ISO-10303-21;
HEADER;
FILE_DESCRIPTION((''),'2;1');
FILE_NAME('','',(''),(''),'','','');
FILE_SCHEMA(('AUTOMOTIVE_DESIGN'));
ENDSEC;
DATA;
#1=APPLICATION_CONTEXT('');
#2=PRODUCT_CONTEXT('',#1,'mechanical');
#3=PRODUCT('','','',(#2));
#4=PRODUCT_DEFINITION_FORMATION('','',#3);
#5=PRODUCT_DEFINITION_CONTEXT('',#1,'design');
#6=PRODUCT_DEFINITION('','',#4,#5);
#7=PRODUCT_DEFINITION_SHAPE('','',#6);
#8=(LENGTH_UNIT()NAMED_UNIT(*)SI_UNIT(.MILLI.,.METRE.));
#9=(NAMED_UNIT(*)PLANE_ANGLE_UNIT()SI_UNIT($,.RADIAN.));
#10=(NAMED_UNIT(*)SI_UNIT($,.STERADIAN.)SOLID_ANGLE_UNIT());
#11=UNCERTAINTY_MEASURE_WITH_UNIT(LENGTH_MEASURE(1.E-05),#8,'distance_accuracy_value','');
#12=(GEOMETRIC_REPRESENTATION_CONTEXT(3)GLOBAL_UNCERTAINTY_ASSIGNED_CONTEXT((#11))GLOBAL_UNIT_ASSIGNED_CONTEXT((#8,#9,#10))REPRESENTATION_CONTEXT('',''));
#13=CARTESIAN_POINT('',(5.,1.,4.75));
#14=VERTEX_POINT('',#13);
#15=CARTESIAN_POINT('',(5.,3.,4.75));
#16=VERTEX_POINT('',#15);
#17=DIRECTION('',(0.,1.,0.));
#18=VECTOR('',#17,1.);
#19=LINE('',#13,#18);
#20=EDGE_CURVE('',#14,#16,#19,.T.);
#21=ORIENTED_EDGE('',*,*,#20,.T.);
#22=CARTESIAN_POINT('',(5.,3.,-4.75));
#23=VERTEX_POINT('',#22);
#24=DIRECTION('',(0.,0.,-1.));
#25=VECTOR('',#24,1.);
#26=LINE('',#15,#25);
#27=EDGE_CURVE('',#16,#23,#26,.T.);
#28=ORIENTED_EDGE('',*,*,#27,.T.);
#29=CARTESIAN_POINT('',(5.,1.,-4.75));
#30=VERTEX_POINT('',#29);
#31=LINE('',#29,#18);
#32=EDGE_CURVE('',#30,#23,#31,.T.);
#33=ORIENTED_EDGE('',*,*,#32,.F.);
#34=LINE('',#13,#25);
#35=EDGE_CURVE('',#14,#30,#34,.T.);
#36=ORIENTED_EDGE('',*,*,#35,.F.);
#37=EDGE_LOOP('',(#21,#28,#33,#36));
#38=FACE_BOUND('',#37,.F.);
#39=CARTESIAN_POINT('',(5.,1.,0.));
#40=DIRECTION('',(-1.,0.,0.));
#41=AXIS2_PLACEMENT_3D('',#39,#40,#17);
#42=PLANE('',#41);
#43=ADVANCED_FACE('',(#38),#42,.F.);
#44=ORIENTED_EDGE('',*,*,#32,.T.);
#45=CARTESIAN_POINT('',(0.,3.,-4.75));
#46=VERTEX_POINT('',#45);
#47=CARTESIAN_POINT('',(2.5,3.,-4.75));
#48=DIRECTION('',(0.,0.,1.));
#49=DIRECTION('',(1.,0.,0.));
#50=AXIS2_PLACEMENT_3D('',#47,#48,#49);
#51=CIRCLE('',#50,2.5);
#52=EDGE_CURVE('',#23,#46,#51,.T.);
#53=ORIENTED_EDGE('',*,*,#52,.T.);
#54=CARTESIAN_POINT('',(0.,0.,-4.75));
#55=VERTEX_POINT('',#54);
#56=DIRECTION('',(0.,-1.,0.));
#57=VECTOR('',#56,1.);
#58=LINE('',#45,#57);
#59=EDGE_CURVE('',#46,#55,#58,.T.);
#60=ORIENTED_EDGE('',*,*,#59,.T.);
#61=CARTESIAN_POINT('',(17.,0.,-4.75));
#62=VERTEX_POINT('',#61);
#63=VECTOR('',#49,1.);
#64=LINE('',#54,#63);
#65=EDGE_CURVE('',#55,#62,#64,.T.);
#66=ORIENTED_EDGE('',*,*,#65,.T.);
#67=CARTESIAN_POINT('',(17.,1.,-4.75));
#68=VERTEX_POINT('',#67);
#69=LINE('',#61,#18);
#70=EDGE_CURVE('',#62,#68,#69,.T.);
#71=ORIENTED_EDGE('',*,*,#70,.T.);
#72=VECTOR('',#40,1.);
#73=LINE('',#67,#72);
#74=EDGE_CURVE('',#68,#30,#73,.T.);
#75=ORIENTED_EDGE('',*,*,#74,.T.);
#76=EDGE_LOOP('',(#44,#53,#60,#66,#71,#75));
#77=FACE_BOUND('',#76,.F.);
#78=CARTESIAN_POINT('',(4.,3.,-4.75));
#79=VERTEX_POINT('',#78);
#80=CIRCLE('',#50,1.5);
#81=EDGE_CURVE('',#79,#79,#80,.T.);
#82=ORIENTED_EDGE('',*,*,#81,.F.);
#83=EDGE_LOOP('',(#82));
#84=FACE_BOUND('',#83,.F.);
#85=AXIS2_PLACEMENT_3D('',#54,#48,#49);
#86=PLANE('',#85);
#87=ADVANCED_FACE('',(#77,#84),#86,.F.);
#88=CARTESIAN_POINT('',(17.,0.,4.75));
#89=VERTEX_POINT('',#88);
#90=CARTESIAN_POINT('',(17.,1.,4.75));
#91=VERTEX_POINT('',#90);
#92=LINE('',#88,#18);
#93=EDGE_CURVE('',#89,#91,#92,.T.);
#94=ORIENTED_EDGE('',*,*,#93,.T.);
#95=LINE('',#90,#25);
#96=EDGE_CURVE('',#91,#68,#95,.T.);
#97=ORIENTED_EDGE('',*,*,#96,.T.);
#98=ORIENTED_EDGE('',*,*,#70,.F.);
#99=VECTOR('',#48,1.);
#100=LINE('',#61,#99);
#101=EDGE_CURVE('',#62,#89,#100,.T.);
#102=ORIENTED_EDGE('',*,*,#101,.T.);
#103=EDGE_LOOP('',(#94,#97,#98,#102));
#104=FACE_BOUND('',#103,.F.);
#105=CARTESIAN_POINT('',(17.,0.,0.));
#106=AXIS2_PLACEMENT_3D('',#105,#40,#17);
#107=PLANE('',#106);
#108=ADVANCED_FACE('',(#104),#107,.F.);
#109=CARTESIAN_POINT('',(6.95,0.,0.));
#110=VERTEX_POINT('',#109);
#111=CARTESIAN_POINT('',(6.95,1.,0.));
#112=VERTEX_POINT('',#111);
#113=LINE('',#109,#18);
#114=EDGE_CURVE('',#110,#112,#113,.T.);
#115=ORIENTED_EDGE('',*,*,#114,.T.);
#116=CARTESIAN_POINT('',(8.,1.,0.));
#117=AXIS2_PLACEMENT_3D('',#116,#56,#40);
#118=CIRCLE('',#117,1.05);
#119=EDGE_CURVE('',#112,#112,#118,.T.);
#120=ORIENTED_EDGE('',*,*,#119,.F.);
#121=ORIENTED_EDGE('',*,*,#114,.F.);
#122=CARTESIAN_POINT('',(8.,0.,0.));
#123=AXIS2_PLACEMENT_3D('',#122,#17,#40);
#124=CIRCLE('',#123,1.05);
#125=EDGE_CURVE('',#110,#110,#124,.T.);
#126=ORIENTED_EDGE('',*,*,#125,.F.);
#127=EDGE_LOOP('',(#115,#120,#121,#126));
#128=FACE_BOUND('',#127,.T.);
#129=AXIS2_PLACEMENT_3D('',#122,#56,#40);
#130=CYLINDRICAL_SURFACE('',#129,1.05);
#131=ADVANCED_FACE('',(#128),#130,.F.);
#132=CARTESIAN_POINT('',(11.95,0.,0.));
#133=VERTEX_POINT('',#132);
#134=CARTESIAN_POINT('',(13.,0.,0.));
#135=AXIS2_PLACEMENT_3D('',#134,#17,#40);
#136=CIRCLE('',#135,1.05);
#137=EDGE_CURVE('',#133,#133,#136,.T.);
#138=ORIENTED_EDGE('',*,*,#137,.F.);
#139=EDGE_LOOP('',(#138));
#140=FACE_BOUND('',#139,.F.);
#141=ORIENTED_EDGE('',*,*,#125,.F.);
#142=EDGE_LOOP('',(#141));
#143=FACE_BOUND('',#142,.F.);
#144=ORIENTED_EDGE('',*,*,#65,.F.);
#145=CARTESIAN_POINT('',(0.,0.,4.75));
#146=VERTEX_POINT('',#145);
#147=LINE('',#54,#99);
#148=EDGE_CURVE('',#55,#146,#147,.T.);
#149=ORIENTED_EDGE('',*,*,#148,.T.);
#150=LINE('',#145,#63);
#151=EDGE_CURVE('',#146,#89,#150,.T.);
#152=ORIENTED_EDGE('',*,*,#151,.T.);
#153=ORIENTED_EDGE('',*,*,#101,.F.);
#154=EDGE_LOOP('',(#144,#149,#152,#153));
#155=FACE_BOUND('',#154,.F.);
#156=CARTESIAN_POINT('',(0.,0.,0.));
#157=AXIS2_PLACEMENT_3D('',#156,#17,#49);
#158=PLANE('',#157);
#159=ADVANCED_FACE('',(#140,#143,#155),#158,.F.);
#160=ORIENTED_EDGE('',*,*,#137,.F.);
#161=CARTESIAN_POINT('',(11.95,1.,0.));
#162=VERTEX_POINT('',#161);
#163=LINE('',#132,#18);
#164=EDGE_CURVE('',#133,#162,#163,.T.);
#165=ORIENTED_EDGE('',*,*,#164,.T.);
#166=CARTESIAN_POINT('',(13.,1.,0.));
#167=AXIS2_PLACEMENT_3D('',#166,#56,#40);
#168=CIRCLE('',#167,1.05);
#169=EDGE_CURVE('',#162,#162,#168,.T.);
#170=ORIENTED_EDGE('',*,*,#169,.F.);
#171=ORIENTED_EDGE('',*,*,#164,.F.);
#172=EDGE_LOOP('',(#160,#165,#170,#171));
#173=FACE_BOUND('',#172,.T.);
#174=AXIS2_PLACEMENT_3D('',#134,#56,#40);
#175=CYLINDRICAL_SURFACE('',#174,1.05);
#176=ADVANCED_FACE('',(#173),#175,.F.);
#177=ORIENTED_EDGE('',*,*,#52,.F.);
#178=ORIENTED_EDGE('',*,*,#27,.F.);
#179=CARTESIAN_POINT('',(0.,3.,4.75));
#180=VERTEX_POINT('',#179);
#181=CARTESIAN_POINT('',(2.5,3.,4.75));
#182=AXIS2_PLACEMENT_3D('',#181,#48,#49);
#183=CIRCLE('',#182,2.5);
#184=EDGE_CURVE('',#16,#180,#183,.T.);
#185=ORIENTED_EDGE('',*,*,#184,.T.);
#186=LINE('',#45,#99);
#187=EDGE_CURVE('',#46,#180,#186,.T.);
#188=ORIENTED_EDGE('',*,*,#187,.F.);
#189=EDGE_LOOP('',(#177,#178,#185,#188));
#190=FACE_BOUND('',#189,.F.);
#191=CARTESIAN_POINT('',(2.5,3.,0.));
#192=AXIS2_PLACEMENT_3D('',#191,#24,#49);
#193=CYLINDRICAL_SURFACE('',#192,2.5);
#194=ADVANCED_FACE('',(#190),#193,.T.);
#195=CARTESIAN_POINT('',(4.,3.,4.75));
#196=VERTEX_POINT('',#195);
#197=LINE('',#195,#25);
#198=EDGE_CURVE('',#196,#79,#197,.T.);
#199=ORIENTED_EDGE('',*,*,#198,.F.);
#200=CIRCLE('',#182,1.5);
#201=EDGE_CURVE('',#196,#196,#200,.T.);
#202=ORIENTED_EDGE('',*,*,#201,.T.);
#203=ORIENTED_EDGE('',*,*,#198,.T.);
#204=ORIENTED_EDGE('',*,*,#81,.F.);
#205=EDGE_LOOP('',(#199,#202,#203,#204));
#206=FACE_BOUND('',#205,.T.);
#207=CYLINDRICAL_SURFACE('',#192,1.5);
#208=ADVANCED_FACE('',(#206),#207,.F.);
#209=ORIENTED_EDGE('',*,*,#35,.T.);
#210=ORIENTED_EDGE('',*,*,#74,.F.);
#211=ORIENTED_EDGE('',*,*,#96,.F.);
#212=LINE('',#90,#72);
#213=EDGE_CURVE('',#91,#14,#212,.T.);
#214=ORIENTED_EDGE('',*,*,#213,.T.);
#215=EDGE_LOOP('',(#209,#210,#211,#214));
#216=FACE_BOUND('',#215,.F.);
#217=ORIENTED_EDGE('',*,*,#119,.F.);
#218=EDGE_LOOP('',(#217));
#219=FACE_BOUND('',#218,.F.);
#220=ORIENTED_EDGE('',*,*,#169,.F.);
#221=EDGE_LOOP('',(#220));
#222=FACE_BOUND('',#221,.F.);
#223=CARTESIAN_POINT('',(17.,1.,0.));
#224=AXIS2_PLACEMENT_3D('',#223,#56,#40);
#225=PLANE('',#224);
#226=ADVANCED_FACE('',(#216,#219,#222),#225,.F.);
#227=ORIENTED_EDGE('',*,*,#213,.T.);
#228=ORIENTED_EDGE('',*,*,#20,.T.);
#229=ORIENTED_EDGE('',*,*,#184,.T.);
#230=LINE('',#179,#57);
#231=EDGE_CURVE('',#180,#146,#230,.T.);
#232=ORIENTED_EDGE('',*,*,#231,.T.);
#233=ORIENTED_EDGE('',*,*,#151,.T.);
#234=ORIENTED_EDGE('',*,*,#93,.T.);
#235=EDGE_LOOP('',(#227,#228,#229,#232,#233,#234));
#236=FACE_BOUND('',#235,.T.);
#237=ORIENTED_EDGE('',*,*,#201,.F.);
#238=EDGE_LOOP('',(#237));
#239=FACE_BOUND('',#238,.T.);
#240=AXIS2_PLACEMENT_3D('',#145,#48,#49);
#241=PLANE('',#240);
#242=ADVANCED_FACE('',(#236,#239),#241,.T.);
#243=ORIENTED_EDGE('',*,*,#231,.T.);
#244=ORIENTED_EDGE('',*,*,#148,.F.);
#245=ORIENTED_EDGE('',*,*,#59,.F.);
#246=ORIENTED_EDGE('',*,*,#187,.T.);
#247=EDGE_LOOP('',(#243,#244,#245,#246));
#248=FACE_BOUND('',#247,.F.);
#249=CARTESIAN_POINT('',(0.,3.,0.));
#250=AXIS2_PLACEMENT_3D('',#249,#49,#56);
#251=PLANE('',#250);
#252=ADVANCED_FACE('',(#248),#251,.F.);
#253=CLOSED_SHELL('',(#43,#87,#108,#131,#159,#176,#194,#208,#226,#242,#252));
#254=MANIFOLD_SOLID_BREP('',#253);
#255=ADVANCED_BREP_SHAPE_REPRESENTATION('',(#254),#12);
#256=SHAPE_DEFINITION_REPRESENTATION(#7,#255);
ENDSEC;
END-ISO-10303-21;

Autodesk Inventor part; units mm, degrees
sketch "Sketch_1" plane through (0, 0, 0) normal (0, 0, 1) x (1, 0, 0)
  line L0 (0, 3) -> (0, 0)
  line L1 (0, 0) -> (17, 0)
  line L2 (17, 0) -> (17, 1)
  line L3 (17, 1) -> (5, 1)
  line L4 (5, 1) -> (5, 3)
  arc A0 (5, 3) -> (0, 3) centre (2.5, 3) ccw
  circle A1 centre (2.5, 3) radius 1.5
extrude "Extrusion1" add sketch "Sketch_1" along normal mid plane 9.5
sketch "Sketch_2" plane through (0, 0, 0) normal (0, 1, 0) x (-1, 0, 0)
  circle A0 centre (-8, 0) radius 1.05
extrude "Extrusion2" cut sketch "Sketch_2" along normal mid plane 9.5
sketch "Sketch_3" plane through (0, 0, 0) normal (0, 1, 0) x (-1, 0, 0)
  circle A0 centre (-13, 0) radius 1.05
extrude "Extrusion3" cut sketch "Sketch_3" along normal mid plane 9.5
ref_plane "A_XY" through (2.5, 3, 0) normal (0, 0, 1) x (1, 0, 0)
ref_plane "A_YZ" through (2.5, 3, 0) normal (1, 0, 0) x (0, 1, 0)
ref_plane "A_ZX" through (2.5, 3, 0) normal (0, 1, 0) x (0, 0, 1)
properties part number "PKWS1_b"
